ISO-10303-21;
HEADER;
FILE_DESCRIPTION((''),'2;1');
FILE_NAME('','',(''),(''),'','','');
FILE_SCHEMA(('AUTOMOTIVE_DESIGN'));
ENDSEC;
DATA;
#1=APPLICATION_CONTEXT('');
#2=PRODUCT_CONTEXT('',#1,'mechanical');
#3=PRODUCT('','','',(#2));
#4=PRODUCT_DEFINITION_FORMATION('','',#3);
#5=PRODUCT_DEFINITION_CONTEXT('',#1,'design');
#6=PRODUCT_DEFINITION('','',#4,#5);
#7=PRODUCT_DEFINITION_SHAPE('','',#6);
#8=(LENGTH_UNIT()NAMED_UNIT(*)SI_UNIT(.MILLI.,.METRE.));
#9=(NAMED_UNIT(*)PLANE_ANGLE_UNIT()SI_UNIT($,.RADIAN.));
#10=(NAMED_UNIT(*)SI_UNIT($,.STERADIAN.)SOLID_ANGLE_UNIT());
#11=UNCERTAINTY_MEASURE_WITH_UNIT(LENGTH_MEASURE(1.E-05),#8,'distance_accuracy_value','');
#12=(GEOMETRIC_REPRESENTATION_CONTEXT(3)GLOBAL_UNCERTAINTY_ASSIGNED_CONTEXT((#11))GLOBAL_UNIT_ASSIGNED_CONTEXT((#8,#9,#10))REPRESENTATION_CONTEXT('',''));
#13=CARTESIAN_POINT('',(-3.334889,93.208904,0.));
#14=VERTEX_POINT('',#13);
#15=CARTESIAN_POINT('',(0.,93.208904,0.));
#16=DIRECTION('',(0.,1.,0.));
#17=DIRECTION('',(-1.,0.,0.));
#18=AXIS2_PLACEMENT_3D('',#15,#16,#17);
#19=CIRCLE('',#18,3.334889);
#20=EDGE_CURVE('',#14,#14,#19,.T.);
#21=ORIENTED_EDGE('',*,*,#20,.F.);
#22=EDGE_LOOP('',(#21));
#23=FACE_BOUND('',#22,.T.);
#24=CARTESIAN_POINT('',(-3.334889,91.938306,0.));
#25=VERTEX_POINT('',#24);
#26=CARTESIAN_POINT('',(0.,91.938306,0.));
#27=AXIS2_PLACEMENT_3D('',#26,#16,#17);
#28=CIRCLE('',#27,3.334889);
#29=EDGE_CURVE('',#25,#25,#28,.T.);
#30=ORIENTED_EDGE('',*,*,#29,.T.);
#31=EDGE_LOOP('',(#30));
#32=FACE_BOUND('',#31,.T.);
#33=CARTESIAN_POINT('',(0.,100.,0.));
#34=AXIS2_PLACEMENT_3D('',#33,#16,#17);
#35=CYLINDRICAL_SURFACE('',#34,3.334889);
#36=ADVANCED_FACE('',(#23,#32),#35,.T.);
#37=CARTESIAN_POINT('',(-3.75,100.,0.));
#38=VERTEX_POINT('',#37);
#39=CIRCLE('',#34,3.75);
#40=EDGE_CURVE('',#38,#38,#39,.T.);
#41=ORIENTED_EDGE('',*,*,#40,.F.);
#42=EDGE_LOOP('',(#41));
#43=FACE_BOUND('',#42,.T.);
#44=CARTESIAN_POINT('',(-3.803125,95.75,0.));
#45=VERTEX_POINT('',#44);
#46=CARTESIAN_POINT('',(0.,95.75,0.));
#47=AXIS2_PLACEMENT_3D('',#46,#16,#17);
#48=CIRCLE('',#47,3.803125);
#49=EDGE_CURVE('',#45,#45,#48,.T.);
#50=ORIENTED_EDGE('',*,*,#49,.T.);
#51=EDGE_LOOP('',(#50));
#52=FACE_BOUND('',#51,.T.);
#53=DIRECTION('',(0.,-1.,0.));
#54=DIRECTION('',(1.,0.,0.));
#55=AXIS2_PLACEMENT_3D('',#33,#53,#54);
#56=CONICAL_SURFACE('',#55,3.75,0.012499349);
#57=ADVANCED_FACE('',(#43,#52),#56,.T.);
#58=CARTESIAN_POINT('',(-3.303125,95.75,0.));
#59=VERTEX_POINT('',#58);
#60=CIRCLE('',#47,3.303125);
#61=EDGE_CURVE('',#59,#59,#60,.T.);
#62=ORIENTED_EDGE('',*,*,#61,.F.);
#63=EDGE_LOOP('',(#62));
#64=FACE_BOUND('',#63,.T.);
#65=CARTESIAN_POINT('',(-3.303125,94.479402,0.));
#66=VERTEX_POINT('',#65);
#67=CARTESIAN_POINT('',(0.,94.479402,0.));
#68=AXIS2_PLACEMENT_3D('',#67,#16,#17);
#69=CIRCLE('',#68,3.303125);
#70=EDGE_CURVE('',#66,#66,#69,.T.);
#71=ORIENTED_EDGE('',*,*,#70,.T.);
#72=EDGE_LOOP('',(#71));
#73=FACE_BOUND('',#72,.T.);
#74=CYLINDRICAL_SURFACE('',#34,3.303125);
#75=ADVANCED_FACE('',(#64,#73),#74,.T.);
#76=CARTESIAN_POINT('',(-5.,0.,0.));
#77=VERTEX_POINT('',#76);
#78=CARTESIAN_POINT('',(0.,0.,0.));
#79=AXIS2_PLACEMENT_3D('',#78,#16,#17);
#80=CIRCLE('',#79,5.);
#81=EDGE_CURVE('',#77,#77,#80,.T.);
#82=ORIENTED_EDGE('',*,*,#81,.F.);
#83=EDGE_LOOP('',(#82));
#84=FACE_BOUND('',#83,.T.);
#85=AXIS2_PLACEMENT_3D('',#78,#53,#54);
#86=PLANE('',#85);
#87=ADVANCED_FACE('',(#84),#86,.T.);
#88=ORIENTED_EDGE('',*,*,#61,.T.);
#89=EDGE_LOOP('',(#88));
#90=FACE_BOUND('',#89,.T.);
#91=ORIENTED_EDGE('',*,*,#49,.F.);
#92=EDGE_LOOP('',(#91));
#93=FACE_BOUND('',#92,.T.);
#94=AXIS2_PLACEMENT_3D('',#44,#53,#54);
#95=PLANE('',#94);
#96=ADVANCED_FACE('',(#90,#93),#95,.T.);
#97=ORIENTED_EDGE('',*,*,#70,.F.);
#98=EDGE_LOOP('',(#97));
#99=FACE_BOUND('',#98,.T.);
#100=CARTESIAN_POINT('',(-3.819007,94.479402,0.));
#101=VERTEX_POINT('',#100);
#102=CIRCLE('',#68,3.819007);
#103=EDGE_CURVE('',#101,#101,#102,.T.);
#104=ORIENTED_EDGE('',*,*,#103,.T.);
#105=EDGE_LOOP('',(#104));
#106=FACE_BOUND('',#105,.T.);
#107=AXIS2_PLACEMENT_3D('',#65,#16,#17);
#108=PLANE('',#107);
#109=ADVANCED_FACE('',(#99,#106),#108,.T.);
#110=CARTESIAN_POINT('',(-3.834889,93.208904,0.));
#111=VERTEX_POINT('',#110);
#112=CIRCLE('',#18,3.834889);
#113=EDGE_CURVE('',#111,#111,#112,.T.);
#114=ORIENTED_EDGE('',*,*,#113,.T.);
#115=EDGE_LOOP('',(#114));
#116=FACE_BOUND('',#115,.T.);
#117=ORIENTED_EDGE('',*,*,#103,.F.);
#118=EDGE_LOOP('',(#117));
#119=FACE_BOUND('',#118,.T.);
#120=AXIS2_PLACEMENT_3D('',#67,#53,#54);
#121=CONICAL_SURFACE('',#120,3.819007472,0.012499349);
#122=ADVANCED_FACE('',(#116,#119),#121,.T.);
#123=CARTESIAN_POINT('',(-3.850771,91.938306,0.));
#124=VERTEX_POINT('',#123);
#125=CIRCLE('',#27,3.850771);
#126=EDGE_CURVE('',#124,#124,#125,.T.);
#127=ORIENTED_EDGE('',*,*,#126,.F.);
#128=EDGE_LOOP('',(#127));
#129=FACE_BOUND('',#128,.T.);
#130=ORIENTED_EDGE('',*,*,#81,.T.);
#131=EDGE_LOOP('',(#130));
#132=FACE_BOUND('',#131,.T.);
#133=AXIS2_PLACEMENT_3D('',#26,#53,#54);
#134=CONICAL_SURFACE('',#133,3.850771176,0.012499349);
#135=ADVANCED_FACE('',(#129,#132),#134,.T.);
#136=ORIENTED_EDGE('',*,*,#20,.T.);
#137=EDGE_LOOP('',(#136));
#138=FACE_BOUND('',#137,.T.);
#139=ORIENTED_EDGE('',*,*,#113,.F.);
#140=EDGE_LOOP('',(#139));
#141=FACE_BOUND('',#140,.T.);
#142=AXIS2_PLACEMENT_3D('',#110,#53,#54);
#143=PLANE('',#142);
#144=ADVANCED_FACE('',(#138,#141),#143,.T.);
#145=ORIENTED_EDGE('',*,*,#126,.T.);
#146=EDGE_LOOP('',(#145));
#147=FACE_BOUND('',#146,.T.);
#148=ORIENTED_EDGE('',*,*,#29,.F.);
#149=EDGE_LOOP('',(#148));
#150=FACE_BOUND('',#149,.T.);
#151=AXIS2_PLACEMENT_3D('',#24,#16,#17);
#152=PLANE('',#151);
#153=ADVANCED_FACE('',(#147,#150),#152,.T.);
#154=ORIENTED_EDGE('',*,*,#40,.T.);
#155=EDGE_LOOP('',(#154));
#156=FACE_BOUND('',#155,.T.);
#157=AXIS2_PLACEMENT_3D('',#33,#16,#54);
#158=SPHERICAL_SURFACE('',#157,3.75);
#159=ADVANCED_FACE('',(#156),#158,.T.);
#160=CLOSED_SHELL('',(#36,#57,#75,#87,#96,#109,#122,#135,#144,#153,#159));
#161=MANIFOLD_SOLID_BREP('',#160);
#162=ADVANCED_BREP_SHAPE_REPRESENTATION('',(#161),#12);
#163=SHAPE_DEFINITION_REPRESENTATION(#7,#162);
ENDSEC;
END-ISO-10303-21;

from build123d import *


with BuildPart() as part:
    # Croquis1 → Revolución1 (revolve)
    with BuildSketch(Plane.XY):
        with BuildLine():
            Line((0, 0), (-5, 0))
            Line((-5, 0), (-3.850771176, 91.938305952))
            Line((-3.850771176, 91.938305952), (-3.334888704, 91.938305952))
            Line((-3.334888704, 91.938305952), (-3.334888704, 93.208903719))
            Line((-3.334888704, 93.208903719), (-3.834888704, 93.208903719))
            Line((-3.834888704, 93.208903719), (-3.819007472, 94.479402233))
            Line((-3.819007472, 94.479402233), (-3.303125, 94.479402233))
            Line((-3.303125, 94.479402233), (-3.303125, 95.75))
            Line((-3.303125, 95.75), (-3.803125, 95.75))
            Line((-3.803125, 95.75), (-3.75, 100))
            ThreePointArc((-3.75, 100), (-2.651650429, 102.651650429), (0, 103.75))
            Line((0, 103.75), (0, 100))
            Line((0, 100), (0, 0))
        make_face()
    revolve(axis=Axis((0, 100, 0), (0, -1, 0)))


solid = part.part
